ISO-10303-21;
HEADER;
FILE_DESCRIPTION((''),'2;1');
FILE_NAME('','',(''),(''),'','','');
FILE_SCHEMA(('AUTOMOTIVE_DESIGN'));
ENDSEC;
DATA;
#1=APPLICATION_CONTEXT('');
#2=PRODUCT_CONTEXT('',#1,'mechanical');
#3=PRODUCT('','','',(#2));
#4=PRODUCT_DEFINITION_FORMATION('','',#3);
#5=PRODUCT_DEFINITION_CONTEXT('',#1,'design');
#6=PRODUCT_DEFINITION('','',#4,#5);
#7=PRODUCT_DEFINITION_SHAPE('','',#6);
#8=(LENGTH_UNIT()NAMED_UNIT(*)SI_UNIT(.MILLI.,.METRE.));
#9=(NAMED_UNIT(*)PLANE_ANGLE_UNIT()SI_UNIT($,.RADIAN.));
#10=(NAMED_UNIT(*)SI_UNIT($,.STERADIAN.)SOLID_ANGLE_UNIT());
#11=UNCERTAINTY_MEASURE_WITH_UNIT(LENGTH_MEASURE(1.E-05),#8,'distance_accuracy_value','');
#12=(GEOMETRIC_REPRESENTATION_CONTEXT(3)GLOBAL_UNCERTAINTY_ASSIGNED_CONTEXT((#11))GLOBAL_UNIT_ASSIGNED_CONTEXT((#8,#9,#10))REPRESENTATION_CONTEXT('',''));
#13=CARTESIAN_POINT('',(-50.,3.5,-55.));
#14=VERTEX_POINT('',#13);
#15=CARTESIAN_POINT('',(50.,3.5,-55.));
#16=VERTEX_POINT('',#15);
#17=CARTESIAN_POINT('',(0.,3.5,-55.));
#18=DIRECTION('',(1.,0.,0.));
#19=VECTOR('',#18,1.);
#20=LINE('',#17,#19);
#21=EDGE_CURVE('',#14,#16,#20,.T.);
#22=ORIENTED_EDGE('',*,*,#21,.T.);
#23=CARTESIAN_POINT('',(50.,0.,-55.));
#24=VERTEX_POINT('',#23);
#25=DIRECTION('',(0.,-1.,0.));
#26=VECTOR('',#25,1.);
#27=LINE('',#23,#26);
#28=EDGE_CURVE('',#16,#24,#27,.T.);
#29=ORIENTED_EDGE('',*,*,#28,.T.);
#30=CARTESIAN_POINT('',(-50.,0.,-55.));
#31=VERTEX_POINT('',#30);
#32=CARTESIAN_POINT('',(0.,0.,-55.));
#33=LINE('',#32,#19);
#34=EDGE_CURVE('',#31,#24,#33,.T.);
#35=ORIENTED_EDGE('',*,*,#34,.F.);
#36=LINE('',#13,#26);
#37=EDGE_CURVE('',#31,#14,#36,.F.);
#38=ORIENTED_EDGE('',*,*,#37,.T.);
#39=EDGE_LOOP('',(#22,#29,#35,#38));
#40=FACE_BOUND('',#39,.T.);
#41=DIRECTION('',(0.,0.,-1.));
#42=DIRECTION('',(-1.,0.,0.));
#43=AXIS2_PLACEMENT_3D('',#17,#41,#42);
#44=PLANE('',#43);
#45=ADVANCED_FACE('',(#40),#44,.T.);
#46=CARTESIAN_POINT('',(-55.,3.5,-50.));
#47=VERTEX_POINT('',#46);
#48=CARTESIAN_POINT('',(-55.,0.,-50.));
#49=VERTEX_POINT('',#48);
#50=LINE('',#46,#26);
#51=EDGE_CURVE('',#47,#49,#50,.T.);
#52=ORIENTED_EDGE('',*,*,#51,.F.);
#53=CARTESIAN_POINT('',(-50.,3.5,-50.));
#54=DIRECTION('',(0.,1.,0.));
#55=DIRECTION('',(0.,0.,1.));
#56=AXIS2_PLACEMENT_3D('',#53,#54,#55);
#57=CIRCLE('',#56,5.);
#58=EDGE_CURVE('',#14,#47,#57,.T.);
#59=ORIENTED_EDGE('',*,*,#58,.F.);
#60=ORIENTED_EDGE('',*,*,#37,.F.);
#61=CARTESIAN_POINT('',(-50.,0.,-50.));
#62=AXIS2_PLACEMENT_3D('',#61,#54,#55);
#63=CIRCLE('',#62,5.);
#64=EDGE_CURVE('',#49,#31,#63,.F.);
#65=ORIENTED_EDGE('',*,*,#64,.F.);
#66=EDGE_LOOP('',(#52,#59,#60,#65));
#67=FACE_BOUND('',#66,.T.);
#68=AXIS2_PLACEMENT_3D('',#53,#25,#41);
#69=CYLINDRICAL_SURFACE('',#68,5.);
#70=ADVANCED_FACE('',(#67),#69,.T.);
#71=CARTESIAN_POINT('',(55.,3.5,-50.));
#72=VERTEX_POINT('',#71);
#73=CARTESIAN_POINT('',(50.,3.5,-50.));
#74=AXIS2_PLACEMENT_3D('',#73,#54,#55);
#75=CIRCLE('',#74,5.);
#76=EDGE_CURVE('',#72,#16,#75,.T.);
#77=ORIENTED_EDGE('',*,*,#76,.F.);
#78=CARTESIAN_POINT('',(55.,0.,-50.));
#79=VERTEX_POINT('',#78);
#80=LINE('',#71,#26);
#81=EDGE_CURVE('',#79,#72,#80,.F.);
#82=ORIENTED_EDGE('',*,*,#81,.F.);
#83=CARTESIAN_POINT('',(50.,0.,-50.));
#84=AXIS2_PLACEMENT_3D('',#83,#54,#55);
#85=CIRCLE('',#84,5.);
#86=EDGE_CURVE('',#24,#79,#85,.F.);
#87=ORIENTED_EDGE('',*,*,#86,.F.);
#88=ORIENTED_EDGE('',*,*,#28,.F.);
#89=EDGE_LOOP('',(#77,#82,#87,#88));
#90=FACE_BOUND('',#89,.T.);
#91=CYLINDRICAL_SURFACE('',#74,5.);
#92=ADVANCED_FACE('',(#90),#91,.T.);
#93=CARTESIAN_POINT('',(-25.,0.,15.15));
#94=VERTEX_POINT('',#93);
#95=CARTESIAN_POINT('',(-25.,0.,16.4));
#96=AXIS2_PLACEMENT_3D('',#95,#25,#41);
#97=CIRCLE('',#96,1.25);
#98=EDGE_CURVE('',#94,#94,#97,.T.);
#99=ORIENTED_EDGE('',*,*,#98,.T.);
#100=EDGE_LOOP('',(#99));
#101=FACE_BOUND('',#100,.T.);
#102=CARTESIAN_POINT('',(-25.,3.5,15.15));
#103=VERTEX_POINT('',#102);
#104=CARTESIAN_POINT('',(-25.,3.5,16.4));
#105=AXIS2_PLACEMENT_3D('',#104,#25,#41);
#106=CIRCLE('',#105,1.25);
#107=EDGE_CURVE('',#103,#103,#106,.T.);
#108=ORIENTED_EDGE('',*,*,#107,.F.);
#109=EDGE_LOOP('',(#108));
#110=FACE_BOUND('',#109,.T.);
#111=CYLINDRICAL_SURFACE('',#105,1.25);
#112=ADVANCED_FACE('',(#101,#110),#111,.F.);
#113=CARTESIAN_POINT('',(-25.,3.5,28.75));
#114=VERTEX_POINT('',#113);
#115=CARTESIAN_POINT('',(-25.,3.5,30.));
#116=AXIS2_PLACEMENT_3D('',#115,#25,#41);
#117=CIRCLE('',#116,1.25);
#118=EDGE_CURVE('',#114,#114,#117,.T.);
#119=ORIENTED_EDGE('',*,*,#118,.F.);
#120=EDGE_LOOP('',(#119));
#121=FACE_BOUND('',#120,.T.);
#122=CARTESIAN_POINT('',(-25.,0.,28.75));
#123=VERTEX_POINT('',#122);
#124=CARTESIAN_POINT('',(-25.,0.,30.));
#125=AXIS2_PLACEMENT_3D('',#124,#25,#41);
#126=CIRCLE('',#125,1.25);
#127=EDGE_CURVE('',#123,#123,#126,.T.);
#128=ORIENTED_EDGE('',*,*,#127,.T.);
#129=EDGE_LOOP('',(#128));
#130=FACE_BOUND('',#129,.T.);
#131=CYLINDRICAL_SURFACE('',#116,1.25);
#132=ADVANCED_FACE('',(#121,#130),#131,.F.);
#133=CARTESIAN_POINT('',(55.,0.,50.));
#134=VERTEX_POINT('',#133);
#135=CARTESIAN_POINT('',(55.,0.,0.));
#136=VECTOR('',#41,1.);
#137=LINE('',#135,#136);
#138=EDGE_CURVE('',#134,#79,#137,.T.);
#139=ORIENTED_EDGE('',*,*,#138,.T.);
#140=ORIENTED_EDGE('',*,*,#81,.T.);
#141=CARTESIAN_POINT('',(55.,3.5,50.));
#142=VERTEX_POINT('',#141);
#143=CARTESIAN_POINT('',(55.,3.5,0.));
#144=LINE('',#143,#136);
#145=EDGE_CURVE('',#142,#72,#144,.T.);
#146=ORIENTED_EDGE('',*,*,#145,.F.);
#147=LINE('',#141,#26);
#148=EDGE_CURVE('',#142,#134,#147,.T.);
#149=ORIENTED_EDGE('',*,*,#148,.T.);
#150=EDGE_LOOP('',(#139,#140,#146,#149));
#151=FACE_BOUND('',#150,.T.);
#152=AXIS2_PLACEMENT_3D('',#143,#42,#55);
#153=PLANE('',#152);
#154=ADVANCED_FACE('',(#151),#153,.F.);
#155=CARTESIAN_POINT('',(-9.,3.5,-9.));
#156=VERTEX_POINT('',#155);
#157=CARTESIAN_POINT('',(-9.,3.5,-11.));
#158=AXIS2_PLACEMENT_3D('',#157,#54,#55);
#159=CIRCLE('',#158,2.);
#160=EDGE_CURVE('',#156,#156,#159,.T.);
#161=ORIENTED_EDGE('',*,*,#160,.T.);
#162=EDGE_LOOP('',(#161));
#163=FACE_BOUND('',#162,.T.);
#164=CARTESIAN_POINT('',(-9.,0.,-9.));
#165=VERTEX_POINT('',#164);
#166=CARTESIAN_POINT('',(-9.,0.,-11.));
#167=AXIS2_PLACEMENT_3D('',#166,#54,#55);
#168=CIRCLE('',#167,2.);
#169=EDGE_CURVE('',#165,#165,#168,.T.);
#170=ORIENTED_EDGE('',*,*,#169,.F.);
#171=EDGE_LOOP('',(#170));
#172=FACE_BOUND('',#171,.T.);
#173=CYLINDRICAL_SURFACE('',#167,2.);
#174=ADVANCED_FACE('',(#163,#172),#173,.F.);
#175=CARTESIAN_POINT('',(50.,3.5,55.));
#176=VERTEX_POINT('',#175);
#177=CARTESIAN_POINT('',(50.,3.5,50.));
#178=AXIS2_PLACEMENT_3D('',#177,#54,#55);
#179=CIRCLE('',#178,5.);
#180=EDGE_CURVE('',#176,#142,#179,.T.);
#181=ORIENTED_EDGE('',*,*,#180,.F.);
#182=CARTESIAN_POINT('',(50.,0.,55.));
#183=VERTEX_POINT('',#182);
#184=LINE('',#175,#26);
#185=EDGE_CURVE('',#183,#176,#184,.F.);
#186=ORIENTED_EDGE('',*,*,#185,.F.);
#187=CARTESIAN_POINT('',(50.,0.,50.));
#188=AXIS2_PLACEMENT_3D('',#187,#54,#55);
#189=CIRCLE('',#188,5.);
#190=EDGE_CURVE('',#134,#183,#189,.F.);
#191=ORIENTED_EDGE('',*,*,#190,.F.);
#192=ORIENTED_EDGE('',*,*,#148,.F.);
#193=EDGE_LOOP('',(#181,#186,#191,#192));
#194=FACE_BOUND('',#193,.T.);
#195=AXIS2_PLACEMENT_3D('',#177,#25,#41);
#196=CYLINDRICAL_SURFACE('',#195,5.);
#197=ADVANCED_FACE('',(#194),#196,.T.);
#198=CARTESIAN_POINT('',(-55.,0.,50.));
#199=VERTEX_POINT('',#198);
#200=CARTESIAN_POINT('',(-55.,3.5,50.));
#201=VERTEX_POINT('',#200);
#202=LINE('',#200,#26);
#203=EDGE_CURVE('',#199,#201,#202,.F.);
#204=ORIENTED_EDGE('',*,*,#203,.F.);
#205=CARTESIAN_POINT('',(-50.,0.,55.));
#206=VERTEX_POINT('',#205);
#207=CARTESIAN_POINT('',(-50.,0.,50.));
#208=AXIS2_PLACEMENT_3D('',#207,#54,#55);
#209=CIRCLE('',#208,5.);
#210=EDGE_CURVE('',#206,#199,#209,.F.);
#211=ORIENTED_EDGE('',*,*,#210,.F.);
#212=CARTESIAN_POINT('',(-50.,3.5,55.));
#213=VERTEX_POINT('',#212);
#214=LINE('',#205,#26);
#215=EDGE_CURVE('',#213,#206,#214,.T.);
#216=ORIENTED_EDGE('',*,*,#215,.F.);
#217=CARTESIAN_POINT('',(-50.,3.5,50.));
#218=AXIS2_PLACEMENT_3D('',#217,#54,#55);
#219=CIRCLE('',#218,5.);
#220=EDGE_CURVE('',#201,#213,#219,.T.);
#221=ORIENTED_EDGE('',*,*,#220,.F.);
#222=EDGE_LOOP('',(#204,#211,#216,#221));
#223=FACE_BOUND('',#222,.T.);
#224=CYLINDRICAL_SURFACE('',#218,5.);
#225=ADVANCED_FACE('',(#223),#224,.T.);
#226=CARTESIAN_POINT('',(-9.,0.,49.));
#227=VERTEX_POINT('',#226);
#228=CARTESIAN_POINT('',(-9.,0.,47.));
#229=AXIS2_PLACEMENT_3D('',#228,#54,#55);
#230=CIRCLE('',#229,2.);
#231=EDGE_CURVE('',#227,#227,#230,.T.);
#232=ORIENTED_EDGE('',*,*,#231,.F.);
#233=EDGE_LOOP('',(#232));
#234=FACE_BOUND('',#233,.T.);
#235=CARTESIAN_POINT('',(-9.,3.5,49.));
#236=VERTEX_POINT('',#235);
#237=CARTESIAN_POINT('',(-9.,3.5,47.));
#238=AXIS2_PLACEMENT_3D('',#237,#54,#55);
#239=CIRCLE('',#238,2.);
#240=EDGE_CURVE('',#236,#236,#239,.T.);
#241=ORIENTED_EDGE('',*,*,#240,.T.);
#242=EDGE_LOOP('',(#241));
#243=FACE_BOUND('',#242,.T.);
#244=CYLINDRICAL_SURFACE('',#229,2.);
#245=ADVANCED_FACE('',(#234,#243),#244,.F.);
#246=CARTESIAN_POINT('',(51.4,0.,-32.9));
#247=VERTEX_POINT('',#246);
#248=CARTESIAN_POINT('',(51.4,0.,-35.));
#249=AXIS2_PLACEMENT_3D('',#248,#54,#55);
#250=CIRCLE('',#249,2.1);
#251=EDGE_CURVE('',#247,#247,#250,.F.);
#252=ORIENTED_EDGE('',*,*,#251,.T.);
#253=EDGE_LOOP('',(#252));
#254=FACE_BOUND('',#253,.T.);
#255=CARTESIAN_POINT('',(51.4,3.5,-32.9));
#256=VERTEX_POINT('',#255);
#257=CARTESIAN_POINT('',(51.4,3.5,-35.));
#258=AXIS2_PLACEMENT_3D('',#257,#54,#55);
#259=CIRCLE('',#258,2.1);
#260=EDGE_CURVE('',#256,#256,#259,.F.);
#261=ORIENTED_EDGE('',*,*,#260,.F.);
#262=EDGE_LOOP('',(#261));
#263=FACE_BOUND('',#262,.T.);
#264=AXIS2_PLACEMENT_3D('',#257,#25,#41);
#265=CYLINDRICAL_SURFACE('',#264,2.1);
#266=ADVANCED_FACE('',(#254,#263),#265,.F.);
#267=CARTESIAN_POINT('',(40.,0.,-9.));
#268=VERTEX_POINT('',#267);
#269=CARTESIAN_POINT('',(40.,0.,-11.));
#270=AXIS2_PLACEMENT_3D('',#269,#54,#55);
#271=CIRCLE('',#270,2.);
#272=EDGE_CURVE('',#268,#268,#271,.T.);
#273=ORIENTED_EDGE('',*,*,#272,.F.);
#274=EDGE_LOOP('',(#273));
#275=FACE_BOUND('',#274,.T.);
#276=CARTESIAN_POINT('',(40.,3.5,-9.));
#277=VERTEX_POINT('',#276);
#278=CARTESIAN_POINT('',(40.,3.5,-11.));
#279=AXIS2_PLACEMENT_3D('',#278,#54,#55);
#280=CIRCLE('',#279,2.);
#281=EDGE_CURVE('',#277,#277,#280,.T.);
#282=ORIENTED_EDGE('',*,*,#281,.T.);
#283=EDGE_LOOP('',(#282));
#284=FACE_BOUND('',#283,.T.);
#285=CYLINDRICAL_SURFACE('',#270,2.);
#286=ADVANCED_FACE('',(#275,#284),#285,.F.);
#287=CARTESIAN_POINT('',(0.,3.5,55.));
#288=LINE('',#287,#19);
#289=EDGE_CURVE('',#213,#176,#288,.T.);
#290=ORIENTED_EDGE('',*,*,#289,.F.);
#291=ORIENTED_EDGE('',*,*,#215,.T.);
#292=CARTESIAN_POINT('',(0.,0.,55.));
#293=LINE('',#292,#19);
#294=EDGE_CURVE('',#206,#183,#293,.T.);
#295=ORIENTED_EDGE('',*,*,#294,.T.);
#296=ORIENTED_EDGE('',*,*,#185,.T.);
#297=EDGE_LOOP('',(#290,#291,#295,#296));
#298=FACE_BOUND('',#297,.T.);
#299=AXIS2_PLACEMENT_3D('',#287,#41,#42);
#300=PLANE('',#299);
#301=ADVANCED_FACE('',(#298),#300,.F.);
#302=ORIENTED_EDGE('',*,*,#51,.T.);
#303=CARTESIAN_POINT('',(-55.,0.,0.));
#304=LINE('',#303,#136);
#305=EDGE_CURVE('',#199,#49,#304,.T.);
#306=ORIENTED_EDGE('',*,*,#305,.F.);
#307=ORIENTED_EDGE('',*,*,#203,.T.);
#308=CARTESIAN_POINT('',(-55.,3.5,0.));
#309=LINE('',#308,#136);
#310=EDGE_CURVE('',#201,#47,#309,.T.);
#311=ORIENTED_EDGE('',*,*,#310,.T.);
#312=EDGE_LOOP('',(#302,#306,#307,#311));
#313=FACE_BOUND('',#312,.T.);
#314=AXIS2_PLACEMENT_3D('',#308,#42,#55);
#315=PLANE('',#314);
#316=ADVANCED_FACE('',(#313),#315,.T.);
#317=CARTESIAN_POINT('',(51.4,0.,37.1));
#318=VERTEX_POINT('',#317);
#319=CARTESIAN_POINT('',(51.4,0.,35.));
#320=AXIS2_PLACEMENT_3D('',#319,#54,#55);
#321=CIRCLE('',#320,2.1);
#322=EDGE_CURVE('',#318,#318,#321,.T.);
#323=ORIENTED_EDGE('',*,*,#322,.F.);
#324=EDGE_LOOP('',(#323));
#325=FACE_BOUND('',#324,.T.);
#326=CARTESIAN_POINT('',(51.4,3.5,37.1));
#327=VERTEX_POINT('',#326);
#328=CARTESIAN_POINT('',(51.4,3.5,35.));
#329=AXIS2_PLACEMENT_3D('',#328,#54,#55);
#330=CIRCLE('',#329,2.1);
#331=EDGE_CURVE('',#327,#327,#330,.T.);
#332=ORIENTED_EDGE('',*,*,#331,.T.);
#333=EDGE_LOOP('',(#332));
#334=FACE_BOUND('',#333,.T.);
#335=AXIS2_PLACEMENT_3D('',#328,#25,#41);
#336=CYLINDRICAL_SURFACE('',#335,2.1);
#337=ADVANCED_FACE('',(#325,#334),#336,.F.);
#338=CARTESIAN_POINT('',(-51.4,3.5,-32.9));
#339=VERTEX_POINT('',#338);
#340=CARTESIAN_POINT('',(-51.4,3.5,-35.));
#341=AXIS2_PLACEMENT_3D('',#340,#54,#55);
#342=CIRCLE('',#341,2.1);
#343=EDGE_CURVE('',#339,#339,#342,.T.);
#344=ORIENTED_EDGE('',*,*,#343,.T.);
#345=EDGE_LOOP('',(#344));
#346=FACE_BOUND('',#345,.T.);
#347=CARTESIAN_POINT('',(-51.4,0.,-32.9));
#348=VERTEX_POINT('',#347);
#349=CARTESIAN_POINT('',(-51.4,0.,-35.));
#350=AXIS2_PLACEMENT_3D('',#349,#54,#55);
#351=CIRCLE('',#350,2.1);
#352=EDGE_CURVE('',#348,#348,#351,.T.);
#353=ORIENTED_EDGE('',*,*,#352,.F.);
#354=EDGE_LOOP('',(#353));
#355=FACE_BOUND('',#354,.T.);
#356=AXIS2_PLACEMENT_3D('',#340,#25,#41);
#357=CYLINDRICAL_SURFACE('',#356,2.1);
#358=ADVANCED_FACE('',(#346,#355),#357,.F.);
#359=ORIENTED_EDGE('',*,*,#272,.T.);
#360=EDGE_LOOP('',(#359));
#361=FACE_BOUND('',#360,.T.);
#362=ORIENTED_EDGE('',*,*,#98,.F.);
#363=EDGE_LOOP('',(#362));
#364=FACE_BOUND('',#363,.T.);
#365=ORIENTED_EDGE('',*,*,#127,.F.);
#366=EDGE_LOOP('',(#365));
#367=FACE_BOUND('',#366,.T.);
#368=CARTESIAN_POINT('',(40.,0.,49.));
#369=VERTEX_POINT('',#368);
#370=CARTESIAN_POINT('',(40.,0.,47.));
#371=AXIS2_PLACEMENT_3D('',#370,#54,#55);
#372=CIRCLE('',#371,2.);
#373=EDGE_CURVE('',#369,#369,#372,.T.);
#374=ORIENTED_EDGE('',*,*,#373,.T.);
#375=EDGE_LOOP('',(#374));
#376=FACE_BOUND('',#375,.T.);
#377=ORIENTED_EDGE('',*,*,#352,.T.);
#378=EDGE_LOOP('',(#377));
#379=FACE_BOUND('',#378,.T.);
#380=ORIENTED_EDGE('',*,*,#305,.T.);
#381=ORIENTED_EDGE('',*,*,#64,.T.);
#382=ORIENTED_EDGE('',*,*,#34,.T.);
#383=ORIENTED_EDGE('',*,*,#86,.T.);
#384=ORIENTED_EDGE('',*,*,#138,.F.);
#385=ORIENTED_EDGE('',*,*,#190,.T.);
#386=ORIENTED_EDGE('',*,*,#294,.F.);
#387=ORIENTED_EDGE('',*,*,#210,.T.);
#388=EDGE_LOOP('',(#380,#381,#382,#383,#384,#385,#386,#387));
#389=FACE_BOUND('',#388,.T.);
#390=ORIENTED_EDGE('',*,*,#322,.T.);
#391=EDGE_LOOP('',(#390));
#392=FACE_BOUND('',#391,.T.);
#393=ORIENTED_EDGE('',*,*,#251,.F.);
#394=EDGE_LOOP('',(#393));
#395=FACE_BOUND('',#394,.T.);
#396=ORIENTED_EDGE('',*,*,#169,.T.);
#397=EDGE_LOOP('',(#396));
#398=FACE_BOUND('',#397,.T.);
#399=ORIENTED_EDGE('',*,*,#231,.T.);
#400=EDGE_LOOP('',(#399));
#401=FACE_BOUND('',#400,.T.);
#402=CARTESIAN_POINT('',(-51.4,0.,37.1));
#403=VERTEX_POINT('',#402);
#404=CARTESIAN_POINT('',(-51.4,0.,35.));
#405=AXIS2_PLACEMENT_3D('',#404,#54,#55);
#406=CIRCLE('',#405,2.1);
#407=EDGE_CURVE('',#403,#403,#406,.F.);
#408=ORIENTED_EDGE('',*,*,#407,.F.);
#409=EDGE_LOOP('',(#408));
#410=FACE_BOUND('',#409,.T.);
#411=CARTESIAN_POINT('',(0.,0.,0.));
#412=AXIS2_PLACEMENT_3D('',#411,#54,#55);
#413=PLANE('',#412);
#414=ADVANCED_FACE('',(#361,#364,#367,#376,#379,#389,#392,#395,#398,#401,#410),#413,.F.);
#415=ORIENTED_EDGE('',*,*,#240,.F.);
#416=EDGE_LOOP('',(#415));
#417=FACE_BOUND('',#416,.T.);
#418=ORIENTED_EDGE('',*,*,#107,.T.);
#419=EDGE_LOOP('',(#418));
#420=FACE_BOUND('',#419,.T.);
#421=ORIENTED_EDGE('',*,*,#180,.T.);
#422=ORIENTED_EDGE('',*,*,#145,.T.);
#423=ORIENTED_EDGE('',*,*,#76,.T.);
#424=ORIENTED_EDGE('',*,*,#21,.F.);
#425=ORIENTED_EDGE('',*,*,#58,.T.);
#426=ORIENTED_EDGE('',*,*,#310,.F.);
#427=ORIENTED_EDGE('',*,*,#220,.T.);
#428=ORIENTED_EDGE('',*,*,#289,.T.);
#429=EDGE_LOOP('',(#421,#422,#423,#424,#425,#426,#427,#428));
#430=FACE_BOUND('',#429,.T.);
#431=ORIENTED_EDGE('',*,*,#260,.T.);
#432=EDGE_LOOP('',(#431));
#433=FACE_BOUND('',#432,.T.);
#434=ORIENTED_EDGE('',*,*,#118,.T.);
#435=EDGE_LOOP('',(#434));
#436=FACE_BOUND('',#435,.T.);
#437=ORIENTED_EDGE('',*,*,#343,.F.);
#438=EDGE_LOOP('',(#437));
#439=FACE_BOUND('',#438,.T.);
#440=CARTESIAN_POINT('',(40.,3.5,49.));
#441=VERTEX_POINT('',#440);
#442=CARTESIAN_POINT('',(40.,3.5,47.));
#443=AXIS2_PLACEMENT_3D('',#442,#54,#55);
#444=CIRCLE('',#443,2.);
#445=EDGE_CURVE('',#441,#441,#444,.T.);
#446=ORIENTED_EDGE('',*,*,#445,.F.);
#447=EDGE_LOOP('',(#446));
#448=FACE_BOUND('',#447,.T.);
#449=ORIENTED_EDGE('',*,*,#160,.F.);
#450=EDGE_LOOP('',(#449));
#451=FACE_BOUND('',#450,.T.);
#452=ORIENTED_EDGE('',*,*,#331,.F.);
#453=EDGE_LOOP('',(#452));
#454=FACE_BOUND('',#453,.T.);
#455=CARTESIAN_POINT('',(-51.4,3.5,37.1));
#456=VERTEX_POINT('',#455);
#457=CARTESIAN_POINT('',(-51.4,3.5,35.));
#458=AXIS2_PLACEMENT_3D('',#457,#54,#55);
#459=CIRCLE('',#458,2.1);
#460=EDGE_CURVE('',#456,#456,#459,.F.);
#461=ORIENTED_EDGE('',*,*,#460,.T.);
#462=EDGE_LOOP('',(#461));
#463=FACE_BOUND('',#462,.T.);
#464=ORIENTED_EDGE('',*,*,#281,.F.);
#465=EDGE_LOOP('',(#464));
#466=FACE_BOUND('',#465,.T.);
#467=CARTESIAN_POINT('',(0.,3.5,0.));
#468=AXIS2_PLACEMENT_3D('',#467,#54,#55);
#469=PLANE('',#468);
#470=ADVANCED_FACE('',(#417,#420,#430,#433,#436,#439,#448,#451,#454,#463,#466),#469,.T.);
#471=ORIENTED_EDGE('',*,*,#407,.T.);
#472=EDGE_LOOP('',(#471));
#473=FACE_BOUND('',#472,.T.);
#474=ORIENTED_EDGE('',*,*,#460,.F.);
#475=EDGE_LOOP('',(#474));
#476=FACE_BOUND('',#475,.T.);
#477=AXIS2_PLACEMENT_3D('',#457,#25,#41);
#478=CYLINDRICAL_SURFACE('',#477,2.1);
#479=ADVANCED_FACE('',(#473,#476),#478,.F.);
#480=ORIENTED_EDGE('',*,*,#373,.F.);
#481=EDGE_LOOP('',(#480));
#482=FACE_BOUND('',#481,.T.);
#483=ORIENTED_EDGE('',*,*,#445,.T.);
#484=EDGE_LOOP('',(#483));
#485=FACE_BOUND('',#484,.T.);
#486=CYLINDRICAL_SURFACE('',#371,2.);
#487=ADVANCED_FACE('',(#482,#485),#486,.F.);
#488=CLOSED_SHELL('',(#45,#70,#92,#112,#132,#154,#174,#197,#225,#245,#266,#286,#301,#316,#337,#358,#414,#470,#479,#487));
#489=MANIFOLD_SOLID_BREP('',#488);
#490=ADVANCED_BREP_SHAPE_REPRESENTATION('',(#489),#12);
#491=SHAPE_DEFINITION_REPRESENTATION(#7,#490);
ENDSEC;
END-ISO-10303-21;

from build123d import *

# Parameters (mm, degrees)
ESQUISSE1_R        = 2.1
BOSS_EXTRU_1_DEPTH = 3.5
CONG_1_R           = 5
ESQUISSE3_R        = 2
TROUS_RPI_DEPTH    = 78.860452092
ESQUISSE5_R        = 1.25
TROUS_ICM_DEPTH    = 78.860452092


with BuildPart() as part:
    # Esquisse1 → Boss.-Extru.1 (new body)
    # profile 1 of 2: a face of its own
    with BuildSketch(Plane(origin=(0, 0, 0), x_dir=(1, 0, 0), z_dir=(0, 1, 0))):
        with BuildLine():
            Line((-55, 31.4), (-55, -55))
            Line((-55, -55), (55, -55))
            Line((55, -55), (55, 55))
            Line((55, 55), (-55, 55))
            Line((-55, 55), (-55, 38.6))
            Line((-55, 38.6), (-51.4, 38.6))
            ThreePointArc((-51.4, 38.6), (-47.8, 35), (-51.4, 31.4))
            Line((-51.4, 31.4), (-55, 31.4))
        make_face()
        with Locations(Location((-51.4, -35, 0), (0, 0, 270))):
            Circle(ESQUISSE1_R, mode=Mode.SUBTRACT)
        with Locations(Location((51.4, -35, 0), (0, 0, 270))):
            Circle(ESQUISSE1_R, mode=Mode.SUBTRACT)
        with Locations(Location((51.4, 35, 0), (0, 0, 270))):
            Circle(ESQUISSE1_R, mode=Mode.SUBTRACT)
    # profile 2 of 2: a face of its own
    with BuildSketch(Plane(origin=(0, 0, 0), x_dir=(1, 0, 0), z_dir=(0, 1, 0))):
        with BuildLine():
            Line((-55, 38.6), (-55, 31.4))
            Line((-55, 31.4), (-51.4, 31.4))
            ThreePointArc((-51.4, 31.4), (-47.8, 35), (-51.4, 38.6))
            Line((-51.4, 38.6), (-55, 38.6))
        make_face()
        with Locations(Location((-51.4, 35, 0), (0, 0, 270))):
            Circle(ESQUISSE1_R, mode=Mode.SUBTRACT)
    extrude(amount=BOSS_EXTRU_1_DEPTH)

    # Congé1
    cong_1_edges = [part.edges().sort_by_distance(p)[0] for p in [
        (55, 1.75, -55),
        (55, 1.75, 55),
        (-55, 1.75, 55),
        (-55, 1.75, -55),
    ]]
    fillet(cong_1_edges, radius=CONG_1_R)

    # Esquisse3 → Trous RPI (cut, through all)
    with BuildSketch(Plane(origin=(0, 3.5, 0), x_dir=(1, 0, 0), z_dir=(0, 1, 0))):
        with Locations(Location((40, 11, 0), (0, 0, 270))):
            Circle(ESQUISSE3_R)
        with Locations(Location((40, -47, 0), (0, 0, 270))):
            Circle(ESQUISSE3_R)
        with Locations(Location((-9, -47, 0), (0, 0, 270))):
            Circle(ESQUISSE3_R)
        with Locations(Location((-9, 11, 0), (0, 0, 270))):
            Circle(ESQUISSE3_R)
    extrude(amount=-TROUS_RPI_DEPTH, mode=Mode.SUBTRACT)

    # Esquisse5 → Trous ICM (cut, through all)
    with BuildSketch(Plane(origin=(0, 0, 0), x_dir=(-1, 0, 0), z_dir=(0, -1, 0))):
        with Locations(Location((25, -30, 0), (0, 0, 90))):
            Circle(ESQUISSE5_R)
        with Locations(Location((25, -16.4, 0), (0, 0, 90))):
            Circle(ESQUISSE5_R)
    extrude(amount=-TROUS_ICM_DEPTH, mode=Mode.SUBTRACT)


solid = part.part
